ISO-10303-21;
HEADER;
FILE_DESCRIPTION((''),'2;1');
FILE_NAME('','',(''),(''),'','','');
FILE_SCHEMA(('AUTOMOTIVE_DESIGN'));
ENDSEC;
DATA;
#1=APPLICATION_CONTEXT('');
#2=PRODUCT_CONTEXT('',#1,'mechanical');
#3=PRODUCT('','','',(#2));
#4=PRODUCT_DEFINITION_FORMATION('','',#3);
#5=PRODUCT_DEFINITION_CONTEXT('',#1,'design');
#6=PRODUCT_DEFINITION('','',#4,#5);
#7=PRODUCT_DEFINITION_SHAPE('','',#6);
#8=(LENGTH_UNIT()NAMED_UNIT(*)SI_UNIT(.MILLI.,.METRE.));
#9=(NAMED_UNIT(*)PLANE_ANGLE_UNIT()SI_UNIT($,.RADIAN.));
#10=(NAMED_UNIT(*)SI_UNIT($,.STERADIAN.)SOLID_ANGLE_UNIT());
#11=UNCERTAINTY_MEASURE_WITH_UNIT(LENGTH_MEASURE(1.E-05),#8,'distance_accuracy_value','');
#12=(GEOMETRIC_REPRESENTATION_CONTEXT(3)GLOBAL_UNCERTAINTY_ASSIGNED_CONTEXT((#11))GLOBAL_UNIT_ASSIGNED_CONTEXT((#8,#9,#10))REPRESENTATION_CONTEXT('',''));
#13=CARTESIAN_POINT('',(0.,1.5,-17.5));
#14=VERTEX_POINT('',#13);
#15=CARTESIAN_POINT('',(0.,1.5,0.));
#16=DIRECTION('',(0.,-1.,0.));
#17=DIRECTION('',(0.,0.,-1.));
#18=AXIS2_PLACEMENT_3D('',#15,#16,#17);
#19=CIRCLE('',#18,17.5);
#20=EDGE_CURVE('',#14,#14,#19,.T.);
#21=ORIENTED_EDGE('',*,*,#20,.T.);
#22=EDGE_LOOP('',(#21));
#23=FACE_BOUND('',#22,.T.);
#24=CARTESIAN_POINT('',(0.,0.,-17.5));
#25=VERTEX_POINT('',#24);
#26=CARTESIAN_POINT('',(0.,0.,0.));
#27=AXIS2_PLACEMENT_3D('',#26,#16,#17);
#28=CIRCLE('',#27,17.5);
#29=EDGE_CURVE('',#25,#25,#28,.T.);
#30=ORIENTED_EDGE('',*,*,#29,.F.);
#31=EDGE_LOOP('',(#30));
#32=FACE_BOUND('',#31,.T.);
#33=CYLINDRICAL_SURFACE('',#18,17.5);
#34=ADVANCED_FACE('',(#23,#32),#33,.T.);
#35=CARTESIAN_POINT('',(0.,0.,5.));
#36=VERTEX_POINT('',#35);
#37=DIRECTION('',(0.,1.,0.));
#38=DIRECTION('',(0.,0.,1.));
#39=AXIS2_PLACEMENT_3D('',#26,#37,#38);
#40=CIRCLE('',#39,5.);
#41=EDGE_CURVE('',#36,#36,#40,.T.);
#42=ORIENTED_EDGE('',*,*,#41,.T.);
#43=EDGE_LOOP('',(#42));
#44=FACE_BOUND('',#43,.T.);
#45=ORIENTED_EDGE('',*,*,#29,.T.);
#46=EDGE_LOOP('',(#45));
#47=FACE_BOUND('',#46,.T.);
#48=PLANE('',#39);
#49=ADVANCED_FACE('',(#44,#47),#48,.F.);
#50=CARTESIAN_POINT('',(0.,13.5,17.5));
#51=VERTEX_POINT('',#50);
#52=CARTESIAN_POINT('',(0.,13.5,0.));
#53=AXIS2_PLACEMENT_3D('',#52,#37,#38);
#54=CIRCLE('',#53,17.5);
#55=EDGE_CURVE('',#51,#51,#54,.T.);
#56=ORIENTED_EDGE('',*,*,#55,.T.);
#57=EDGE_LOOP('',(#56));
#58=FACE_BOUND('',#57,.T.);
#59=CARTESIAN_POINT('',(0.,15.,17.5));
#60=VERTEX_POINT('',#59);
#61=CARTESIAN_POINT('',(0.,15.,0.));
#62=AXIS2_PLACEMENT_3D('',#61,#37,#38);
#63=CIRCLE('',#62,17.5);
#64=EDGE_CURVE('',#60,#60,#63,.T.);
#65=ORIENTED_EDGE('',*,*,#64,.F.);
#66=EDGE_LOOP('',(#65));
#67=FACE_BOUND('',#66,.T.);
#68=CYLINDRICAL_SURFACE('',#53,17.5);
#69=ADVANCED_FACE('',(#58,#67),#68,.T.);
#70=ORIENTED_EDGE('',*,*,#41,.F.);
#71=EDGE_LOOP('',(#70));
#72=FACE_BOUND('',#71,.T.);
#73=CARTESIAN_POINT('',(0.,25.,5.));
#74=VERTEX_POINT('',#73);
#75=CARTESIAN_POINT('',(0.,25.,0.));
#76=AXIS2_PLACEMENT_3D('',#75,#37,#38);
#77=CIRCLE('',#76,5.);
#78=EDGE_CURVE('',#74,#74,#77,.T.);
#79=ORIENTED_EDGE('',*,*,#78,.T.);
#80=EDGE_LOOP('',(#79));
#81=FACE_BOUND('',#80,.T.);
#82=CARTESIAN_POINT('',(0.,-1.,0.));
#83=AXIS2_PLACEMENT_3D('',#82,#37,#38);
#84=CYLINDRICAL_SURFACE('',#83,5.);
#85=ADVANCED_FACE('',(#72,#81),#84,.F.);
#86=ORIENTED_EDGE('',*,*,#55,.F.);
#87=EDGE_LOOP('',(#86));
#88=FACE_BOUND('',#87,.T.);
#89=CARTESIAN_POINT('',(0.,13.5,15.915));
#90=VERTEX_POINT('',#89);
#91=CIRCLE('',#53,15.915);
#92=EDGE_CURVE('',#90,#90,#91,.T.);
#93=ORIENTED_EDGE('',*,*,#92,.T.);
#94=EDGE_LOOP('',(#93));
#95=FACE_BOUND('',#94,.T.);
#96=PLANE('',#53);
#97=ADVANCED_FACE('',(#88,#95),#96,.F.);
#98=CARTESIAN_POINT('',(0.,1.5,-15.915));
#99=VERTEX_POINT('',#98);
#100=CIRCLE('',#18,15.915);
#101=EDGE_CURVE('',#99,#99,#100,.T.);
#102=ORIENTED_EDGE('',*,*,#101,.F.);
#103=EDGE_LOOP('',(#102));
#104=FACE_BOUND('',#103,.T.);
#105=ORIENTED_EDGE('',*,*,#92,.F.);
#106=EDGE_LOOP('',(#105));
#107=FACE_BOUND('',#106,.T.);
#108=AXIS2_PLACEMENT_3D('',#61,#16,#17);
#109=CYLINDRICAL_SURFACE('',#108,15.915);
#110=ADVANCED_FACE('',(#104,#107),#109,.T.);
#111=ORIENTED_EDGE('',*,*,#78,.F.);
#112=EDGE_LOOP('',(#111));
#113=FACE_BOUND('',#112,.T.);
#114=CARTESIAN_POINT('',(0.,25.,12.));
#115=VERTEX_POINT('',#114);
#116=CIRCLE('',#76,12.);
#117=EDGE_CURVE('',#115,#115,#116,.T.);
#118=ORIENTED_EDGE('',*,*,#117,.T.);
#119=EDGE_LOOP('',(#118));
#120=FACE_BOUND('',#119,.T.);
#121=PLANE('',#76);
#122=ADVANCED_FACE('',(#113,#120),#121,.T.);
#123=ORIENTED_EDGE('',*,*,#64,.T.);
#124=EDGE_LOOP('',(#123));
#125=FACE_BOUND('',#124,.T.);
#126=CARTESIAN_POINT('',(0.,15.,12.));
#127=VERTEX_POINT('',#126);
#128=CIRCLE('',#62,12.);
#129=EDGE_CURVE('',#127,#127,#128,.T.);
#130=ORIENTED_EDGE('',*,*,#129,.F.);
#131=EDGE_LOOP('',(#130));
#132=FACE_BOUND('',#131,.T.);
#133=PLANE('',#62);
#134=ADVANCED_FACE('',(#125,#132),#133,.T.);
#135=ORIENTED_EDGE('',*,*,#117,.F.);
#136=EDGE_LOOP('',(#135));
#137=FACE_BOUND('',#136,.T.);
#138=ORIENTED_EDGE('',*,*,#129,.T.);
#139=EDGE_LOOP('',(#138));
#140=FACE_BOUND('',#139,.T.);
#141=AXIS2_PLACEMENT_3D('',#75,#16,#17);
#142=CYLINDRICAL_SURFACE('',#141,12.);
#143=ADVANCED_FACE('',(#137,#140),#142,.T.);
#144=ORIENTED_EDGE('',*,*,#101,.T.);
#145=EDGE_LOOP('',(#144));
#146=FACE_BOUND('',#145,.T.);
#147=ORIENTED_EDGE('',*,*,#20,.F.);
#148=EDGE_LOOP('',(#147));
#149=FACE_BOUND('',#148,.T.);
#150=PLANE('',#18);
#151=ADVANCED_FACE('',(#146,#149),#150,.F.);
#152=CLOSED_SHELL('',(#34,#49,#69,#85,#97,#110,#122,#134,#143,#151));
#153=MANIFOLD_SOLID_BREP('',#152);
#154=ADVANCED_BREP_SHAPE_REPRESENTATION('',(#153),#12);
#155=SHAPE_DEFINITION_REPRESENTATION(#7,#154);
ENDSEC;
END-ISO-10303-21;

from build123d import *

# Parameters (mm, degrees)
SKETCH1_R           = 32.34
BOSS_EXTRUDE1_DEPTH = 15
SKETCH2_R           = 12
BOSS_EXTRUDE2_DEPTH = 10
SKETCH3_R           = 5
CUT_EXTRUDE1_DEPTH  = 26
SKETCH4_R           = 32.34
SKETCH4_R_2         = 15.915
CUT_EXTRUDE3_DEPTH  = 15
SKETCH5_R           = 17.5
SKETCH5_R_2         = 15.915
BOSS_EXTRUDE3_DEPTH = 1.5
SKETCH6_R           = 17.5
SKETCH6_R_2         = 15.915
BOSS_EXTRUDE4_DEPTH = 1.5


with BuildPart() as part:
    # Sketch1 → Boss-Extrude1 (new body)
    with BuildSketch(Plane(origin=(0, 0, 0), x_dir=(1, 0, 0), z_dir=(0, 1, 0))):
        Circle(SKETCH1_R)
    extrude(amount=BOSS_EXTRUDE1_DEPTH)

    # Sketch2 → Boss-Extrude2 (add)
    with BuildSketch(Plane(origin=(0, 15, 0), x_dir=(1, 0, 0), z_dir=(0, 1, 0))):
        Circle(SKETCH2_R)
    extrude(amount=BOSS_EXTRUDE2_DEPTH)

    # Sketch3 → Cut-Extrude1 (cut)
    with BuildSketch(Plane(origin=(0, 25, 0), x_dir=(1, 0, 0), z_dir=(0, 1, 0))):
        Circle(SKETCH3_R)
    extrude(amount=-CUT_EXTRUDE1_DEPTH, mode=Mode.SUBTRACT)

    # Sketch4 → Cut-Extrude3 (cut)
    with BuildSketch(Plane.XZ):
        Circle(SKETCH4_R)
        Circle(SKETCH4_R_2, mode=Mode.SUBTRACT)
    extrude(amount=-CUT_EXTRUDE3_DEPTH, mode=Mode.SUBTRACT)

    # Sketch5 → Boss-Extrude3 (add)
    with BuildSketch(Plane.XZ):
        Circle(SKETCH5_R)
        Circle(SKETCH5_R_2, mode=Mode.SUBTRACT)
    extrude(amount=-BOSS_EXTRUDE3_DEPTH)

    # Sketch6 → Boss-Extrude4 (add)
    with BuildSketch(Plane(origin=(0, 15, 0), x_dir=(1, 0, 0), z_dir=(0, 1, 0))):
        Circle(SKETCH6_R)
        Circle(SKETCH6_R_2, mode=Mode.SUBTRACT)
    extrude(amount=-BOSS_EXTRUDE4_DEPTH)


solid = part.part
